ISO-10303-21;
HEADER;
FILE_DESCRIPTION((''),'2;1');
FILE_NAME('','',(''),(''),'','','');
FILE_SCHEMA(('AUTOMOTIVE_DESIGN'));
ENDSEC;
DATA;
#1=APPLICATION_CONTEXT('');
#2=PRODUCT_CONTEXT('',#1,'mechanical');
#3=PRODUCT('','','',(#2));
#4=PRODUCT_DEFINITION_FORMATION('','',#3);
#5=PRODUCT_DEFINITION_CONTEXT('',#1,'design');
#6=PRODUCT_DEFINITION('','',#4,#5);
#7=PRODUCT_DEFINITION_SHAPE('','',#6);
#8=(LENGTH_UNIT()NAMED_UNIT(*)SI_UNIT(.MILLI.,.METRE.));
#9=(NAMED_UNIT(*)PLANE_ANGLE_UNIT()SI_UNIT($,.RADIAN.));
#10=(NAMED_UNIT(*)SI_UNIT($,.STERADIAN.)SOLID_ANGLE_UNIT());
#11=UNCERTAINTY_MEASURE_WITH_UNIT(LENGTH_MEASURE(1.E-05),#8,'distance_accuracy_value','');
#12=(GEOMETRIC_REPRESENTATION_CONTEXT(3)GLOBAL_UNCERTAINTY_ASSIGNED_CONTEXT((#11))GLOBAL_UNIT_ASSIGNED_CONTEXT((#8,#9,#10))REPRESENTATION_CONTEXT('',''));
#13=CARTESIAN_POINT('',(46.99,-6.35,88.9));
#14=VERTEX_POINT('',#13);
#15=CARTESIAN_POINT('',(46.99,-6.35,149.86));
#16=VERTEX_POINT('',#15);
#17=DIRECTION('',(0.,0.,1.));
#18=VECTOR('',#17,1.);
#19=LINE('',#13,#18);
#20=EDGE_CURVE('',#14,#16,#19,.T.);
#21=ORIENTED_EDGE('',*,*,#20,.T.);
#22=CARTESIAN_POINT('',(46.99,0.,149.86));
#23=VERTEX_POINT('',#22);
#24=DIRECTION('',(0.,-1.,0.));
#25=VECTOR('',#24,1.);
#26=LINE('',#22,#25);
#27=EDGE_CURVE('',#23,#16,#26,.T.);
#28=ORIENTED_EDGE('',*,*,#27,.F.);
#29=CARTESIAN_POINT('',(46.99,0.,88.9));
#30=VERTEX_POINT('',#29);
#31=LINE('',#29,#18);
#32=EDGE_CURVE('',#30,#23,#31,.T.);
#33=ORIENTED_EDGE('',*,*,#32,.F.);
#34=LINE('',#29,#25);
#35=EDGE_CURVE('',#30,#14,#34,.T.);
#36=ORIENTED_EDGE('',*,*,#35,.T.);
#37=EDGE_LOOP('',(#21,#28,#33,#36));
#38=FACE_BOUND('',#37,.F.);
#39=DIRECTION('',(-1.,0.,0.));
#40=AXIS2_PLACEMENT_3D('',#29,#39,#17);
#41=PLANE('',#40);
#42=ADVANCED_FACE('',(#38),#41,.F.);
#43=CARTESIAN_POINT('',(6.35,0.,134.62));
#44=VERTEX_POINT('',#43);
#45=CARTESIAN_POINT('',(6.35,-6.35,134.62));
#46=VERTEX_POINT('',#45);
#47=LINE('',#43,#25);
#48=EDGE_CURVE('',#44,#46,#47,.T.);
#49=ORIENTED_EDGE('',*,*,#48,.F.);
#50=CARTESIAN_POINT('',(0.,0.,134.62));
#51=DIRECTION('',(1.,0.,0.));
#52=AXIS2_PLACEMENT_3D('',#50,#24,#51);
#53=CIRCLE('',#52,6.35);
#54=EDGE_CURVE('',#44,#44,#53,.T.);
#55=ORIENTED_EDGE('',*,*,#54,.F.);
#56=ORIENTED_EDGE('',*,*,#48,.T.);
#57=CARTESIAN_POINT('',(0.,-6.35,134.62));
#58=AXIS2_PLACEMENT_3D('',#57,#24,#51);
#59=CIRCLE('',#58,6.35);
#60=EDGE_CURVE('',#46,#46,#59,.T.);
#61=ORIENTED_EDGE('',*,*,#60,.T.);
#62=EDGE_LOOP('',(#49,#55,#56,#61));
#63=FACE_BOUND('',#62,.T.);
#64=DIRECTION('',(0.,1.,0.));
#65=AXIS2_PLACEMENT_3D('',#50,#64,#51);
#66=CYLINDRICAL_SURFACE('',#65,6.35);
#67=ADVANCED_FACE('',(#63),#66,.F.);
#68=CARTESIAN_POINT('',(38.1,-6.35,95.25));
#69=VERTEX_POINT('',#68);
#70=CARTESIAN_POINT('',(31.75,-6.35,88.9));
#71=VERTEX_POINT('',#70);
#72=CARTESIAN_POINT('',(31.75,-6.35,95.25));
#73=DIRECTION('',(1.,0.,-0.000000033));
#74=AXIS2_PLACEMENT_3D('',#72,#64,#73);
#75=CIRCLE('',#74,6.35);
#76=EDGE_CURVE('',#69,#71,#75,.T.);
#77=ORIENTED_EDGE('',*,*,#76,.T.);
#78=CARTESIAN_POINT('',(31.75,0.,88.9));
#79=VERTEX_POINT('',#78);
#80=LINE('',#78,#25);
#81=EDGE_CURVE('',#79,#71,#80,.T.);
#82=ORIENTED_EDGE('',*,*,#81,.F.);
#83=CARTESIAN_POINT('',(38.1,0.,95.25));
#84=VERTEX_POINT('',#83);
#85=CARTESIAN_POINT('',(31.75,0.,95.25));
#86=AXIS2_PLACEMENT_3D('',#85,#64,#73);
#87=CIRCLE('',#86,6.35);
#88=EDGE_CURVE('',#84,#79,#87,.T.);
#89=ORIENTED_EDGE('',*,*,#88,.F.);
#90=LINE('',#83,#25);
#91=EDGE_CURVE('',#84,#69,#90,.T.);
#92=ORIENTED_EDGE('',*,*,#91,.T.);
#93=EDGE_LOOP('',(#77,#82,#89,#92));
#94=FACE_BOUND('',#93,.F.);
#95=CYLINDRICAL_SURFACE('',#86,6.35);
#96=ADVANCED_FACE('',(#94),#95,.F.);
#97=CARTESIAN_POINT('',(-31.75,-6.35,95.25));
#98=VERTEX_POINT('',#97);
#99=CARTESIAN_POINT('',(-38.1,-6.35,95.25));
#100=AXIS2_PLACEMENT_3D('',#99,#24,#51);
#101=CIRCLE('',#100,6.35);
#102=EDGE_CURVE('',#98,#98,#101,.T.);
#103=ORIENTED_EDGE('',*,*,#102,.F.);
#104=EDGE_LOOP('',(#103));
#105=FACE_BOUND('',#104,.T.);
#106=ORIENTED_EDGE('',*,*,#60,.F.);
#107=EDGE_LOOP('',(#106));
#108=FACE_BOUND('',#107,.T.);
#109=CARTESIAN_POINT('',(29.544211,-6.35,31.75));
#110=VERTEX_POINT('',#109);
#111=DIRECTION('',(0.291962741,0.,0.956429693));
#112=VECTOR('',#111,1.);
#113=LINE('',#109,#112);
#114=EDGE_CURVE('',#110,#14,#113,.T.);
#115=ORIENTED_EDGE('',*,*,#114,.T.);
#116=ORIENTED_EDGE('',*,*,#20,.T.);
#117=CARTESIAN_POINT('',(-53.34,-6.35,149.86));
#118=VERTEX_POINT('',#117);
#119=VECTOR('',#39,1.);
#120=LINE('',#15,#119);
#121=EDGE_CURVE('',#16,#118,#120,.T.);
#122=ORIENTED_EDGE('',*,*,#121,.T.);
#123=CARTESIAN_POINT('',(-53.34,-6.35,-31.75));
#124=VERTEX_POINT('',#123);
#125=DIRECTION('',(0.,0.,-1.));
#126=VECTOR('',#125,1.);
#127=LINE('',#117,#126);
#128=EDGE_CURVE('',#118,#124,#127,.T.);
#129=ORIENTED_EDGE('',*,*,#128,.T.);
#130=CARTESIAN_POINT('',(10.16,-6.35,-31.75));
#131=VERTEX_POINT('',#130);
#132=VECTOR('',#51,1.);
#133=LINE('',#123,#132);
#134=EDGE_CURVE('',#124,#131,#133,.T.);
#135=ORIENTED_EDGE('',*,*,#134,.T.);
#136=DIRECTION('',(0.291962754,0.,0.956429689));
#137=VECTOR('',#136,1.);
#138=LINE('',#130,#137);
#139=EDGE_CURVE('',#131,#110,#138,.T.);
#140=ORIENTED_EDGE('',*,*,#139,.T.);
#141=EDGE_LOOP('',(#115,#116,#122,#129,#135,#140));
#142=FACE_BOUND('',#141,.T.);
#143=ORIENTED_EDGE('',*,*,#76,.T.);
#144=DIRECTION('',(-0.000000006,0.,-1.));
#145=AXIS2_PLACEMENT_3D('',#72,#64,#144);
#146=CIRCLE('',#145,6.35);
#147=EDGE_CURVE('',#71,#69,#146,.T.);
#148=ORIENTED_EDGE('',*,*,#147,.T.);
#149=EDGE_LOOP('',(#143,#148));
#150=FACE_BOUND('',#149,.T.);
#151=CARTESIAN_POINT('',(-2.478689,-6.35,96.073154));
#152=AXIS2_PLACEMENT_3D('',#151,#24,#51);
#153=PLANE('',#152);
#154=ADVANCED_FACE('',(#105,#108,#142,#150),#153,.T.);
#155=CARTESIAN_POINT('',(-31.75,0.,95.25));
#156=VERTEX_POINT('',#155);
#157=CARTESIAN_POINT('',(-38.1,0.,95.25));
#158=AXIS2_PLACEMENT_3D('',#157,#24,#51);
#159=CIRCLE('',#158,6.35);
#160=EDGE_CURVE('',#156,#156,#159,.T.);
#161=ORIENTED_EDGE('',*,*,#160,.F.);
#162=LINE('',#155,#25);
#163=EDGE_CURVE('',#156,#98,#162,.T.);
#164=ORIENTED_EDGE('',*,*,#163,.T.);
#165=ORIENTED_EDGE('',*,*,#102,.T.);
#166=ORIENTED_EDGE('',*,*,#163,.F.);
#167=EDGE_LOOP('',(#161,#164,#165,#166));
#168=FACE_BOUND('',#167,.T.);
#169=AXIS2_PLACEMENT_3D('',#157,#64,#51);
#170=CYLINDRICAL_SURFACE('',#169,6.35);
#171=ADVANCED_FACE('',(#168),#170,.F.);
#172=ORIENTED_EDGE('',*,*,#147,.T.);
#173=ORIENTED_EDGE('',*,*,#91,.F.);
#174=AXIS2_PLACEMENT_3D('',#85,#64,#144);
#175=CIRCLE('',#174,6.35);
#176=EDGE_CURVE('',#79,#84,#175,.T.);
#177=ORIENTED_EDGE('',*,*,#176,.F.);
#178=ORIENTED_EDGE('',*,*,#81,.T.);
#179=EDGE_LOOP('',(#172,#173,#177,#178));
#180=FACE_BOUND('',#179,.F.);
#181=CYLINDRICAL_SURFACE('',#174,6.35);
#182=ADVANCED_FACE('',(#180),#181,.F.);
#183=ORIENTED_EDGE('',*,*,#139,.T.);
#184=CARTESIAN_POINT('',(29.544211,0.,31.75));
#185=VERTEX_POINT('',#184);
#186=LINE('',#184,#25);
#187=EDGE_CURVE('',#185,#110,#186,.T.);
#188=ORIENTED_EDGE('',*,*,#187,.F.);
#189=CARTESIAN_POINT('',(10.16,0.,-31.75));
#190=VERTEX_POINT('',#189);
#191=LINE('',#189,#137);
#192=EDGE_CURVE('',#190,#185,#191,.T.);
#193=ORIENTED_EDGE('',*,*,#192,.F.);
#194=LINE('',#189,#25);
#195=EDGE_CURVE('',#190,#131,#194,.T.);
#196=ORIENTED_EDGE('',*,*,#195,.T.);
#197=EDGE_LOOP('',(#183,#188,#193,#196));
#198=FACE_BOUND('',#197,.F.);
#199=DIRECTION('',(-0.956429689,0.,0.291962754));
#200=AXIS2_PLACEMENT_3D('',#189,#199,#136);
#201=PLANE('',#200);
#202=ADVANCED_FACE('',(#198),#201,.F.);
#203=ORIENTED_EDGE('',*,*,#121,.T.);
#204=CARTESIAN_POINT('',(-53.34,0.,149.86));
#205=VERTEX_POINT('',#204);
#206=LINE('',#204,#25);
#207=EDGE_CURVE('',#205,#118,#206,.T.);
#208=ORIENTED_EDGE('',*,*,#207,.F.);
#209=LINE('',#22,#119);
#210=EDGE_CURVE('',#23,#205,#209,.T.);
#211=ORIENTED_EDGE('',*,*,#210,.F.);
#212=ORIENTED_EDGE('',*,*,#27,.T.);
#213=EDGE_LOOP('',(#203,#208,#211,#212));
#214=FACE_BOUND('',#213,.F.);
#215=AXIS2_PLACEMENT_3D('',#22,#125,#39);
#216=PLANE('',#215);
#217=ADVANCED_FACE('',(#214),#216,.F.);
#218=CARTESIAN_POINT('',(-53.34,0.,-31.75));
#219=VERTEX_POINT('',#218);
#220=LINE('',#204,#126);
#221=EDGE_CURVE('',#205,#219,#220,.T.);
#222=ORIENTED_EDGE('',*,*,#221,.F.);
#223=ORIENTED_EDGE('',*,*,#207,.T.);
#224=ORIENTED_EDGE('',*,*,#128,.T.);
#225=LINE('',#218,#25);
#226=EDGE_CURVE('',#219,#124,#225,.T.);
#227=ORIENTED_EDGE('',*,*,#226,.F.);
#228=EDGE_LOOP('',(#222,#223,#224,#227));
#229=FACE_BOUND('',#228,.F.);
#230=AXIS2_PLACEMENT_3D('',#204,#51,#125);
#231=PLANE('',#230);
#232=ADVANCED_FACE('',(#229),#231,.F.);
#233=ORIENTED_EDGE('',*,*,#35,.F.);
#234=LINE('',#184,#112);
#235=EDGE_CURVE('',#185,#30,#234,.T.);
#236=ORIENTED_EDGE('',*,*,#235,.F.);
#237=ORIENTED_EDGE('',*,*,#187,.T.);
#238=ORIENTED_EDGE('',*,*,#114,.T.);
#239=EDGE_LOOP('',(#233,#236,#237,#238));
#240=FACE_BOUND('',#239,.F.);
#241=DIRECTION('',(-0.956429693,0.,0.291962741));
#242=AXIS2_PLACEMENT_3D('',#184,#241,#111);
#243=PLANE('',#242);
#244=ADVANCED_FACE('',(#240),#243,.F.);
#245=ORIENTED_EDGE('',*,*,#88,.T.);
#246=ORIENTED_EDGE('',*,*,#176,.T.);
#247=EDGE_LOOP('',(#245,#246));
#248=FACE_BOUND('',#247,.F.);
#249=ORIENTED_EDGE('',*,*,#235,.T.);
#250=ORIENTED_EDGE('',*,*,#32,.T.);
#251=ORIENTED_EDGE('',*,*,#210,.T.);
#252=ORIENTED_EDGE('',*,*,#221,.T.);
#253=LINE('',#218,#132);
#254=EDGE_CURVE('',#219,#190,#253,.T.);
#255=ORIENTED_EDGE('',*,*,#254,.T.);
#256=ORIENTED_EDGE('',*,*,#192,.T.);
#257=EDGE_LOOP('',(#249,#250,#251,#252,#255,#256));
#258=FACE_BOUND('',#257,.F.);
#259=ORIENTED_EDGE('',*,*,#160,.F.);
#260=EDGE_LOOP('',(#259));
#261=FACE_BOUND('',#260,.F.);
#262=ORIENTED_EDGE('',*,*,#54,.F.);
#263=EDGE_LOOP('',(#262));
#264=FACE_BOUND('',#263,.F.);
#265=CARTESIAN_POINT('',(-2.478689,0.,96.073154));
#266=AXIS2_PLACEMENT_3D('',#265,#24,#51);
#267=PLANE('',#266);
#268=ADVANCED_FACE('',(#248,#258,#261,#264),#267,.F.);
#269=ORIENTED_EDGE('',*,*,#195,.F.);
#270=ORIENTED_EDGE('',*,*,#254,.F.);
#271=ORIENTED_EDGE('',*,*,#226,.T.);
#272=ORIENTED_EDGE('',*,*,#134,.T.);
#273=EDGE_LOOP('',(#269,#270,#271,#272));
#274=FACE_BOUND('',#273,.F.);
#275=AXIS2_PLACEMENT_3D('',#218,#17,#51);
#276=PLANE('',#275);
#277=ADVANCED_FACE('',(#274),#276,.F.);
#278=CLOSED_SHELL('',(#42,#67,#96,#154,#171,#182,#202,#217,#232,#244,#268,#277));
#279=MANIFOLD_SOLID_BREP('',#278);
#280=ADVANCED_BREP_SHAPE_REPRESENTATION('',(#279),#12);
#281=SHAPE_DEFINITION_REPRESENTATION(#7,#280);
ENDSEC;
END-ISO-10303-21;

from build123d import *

# Parameters (mm, degrees)
F0_R     = 6.35
F0_W     = 41.91
F0_H     = 63.5
F0_W_2   = 21.59
F1_DEPTH = 6.35


with BuildPart() as f1:
    # F0 (on Front) → F1 (new body)
    with BuildSketch(Plane.XZ):
        Polygon((-31.75, 31.75), (10.16, 31.75), (29.544211, 31.75), (46.99, 88.9), (46.99, 149.86), (-53.34, 149.86), (-53.34, 95.25), align=None)
        with Locations((-38.1, 95.25)):
            Circle(F0_R, mode=Mode.SUBTRACT)
        with BuildLine():
            ThreePointArc((38.1, 95.25), (36.240128, 90.759872), (31.75, 88.9))
            ThreePointArc((31.75, 88.9), (27.259872, 99.740128), (38.1, 95.25))
        make_face(mode=Mode.SUBTRACT)
        with Locations((0, 134.62)):
            Circle(F0_R, mode=Mode.SUBTRACT)
        Polygon((29.544211, 31.75), (10.16, 31.75), (10.16, -31.75), align=None)
        with Locations((-10.795, 0)):
            Rectangle(F0_W, F0_H)
        Polygon((-53.34, 31.75), (-31.75, 31.75), (-53.34, 95.25), align=None)
        with Locations((-42.545, 0)):
            Rectangle(F0_W_2, F0_H)
    extrude(amount=F1_DEPTH)


solid = f1.part
